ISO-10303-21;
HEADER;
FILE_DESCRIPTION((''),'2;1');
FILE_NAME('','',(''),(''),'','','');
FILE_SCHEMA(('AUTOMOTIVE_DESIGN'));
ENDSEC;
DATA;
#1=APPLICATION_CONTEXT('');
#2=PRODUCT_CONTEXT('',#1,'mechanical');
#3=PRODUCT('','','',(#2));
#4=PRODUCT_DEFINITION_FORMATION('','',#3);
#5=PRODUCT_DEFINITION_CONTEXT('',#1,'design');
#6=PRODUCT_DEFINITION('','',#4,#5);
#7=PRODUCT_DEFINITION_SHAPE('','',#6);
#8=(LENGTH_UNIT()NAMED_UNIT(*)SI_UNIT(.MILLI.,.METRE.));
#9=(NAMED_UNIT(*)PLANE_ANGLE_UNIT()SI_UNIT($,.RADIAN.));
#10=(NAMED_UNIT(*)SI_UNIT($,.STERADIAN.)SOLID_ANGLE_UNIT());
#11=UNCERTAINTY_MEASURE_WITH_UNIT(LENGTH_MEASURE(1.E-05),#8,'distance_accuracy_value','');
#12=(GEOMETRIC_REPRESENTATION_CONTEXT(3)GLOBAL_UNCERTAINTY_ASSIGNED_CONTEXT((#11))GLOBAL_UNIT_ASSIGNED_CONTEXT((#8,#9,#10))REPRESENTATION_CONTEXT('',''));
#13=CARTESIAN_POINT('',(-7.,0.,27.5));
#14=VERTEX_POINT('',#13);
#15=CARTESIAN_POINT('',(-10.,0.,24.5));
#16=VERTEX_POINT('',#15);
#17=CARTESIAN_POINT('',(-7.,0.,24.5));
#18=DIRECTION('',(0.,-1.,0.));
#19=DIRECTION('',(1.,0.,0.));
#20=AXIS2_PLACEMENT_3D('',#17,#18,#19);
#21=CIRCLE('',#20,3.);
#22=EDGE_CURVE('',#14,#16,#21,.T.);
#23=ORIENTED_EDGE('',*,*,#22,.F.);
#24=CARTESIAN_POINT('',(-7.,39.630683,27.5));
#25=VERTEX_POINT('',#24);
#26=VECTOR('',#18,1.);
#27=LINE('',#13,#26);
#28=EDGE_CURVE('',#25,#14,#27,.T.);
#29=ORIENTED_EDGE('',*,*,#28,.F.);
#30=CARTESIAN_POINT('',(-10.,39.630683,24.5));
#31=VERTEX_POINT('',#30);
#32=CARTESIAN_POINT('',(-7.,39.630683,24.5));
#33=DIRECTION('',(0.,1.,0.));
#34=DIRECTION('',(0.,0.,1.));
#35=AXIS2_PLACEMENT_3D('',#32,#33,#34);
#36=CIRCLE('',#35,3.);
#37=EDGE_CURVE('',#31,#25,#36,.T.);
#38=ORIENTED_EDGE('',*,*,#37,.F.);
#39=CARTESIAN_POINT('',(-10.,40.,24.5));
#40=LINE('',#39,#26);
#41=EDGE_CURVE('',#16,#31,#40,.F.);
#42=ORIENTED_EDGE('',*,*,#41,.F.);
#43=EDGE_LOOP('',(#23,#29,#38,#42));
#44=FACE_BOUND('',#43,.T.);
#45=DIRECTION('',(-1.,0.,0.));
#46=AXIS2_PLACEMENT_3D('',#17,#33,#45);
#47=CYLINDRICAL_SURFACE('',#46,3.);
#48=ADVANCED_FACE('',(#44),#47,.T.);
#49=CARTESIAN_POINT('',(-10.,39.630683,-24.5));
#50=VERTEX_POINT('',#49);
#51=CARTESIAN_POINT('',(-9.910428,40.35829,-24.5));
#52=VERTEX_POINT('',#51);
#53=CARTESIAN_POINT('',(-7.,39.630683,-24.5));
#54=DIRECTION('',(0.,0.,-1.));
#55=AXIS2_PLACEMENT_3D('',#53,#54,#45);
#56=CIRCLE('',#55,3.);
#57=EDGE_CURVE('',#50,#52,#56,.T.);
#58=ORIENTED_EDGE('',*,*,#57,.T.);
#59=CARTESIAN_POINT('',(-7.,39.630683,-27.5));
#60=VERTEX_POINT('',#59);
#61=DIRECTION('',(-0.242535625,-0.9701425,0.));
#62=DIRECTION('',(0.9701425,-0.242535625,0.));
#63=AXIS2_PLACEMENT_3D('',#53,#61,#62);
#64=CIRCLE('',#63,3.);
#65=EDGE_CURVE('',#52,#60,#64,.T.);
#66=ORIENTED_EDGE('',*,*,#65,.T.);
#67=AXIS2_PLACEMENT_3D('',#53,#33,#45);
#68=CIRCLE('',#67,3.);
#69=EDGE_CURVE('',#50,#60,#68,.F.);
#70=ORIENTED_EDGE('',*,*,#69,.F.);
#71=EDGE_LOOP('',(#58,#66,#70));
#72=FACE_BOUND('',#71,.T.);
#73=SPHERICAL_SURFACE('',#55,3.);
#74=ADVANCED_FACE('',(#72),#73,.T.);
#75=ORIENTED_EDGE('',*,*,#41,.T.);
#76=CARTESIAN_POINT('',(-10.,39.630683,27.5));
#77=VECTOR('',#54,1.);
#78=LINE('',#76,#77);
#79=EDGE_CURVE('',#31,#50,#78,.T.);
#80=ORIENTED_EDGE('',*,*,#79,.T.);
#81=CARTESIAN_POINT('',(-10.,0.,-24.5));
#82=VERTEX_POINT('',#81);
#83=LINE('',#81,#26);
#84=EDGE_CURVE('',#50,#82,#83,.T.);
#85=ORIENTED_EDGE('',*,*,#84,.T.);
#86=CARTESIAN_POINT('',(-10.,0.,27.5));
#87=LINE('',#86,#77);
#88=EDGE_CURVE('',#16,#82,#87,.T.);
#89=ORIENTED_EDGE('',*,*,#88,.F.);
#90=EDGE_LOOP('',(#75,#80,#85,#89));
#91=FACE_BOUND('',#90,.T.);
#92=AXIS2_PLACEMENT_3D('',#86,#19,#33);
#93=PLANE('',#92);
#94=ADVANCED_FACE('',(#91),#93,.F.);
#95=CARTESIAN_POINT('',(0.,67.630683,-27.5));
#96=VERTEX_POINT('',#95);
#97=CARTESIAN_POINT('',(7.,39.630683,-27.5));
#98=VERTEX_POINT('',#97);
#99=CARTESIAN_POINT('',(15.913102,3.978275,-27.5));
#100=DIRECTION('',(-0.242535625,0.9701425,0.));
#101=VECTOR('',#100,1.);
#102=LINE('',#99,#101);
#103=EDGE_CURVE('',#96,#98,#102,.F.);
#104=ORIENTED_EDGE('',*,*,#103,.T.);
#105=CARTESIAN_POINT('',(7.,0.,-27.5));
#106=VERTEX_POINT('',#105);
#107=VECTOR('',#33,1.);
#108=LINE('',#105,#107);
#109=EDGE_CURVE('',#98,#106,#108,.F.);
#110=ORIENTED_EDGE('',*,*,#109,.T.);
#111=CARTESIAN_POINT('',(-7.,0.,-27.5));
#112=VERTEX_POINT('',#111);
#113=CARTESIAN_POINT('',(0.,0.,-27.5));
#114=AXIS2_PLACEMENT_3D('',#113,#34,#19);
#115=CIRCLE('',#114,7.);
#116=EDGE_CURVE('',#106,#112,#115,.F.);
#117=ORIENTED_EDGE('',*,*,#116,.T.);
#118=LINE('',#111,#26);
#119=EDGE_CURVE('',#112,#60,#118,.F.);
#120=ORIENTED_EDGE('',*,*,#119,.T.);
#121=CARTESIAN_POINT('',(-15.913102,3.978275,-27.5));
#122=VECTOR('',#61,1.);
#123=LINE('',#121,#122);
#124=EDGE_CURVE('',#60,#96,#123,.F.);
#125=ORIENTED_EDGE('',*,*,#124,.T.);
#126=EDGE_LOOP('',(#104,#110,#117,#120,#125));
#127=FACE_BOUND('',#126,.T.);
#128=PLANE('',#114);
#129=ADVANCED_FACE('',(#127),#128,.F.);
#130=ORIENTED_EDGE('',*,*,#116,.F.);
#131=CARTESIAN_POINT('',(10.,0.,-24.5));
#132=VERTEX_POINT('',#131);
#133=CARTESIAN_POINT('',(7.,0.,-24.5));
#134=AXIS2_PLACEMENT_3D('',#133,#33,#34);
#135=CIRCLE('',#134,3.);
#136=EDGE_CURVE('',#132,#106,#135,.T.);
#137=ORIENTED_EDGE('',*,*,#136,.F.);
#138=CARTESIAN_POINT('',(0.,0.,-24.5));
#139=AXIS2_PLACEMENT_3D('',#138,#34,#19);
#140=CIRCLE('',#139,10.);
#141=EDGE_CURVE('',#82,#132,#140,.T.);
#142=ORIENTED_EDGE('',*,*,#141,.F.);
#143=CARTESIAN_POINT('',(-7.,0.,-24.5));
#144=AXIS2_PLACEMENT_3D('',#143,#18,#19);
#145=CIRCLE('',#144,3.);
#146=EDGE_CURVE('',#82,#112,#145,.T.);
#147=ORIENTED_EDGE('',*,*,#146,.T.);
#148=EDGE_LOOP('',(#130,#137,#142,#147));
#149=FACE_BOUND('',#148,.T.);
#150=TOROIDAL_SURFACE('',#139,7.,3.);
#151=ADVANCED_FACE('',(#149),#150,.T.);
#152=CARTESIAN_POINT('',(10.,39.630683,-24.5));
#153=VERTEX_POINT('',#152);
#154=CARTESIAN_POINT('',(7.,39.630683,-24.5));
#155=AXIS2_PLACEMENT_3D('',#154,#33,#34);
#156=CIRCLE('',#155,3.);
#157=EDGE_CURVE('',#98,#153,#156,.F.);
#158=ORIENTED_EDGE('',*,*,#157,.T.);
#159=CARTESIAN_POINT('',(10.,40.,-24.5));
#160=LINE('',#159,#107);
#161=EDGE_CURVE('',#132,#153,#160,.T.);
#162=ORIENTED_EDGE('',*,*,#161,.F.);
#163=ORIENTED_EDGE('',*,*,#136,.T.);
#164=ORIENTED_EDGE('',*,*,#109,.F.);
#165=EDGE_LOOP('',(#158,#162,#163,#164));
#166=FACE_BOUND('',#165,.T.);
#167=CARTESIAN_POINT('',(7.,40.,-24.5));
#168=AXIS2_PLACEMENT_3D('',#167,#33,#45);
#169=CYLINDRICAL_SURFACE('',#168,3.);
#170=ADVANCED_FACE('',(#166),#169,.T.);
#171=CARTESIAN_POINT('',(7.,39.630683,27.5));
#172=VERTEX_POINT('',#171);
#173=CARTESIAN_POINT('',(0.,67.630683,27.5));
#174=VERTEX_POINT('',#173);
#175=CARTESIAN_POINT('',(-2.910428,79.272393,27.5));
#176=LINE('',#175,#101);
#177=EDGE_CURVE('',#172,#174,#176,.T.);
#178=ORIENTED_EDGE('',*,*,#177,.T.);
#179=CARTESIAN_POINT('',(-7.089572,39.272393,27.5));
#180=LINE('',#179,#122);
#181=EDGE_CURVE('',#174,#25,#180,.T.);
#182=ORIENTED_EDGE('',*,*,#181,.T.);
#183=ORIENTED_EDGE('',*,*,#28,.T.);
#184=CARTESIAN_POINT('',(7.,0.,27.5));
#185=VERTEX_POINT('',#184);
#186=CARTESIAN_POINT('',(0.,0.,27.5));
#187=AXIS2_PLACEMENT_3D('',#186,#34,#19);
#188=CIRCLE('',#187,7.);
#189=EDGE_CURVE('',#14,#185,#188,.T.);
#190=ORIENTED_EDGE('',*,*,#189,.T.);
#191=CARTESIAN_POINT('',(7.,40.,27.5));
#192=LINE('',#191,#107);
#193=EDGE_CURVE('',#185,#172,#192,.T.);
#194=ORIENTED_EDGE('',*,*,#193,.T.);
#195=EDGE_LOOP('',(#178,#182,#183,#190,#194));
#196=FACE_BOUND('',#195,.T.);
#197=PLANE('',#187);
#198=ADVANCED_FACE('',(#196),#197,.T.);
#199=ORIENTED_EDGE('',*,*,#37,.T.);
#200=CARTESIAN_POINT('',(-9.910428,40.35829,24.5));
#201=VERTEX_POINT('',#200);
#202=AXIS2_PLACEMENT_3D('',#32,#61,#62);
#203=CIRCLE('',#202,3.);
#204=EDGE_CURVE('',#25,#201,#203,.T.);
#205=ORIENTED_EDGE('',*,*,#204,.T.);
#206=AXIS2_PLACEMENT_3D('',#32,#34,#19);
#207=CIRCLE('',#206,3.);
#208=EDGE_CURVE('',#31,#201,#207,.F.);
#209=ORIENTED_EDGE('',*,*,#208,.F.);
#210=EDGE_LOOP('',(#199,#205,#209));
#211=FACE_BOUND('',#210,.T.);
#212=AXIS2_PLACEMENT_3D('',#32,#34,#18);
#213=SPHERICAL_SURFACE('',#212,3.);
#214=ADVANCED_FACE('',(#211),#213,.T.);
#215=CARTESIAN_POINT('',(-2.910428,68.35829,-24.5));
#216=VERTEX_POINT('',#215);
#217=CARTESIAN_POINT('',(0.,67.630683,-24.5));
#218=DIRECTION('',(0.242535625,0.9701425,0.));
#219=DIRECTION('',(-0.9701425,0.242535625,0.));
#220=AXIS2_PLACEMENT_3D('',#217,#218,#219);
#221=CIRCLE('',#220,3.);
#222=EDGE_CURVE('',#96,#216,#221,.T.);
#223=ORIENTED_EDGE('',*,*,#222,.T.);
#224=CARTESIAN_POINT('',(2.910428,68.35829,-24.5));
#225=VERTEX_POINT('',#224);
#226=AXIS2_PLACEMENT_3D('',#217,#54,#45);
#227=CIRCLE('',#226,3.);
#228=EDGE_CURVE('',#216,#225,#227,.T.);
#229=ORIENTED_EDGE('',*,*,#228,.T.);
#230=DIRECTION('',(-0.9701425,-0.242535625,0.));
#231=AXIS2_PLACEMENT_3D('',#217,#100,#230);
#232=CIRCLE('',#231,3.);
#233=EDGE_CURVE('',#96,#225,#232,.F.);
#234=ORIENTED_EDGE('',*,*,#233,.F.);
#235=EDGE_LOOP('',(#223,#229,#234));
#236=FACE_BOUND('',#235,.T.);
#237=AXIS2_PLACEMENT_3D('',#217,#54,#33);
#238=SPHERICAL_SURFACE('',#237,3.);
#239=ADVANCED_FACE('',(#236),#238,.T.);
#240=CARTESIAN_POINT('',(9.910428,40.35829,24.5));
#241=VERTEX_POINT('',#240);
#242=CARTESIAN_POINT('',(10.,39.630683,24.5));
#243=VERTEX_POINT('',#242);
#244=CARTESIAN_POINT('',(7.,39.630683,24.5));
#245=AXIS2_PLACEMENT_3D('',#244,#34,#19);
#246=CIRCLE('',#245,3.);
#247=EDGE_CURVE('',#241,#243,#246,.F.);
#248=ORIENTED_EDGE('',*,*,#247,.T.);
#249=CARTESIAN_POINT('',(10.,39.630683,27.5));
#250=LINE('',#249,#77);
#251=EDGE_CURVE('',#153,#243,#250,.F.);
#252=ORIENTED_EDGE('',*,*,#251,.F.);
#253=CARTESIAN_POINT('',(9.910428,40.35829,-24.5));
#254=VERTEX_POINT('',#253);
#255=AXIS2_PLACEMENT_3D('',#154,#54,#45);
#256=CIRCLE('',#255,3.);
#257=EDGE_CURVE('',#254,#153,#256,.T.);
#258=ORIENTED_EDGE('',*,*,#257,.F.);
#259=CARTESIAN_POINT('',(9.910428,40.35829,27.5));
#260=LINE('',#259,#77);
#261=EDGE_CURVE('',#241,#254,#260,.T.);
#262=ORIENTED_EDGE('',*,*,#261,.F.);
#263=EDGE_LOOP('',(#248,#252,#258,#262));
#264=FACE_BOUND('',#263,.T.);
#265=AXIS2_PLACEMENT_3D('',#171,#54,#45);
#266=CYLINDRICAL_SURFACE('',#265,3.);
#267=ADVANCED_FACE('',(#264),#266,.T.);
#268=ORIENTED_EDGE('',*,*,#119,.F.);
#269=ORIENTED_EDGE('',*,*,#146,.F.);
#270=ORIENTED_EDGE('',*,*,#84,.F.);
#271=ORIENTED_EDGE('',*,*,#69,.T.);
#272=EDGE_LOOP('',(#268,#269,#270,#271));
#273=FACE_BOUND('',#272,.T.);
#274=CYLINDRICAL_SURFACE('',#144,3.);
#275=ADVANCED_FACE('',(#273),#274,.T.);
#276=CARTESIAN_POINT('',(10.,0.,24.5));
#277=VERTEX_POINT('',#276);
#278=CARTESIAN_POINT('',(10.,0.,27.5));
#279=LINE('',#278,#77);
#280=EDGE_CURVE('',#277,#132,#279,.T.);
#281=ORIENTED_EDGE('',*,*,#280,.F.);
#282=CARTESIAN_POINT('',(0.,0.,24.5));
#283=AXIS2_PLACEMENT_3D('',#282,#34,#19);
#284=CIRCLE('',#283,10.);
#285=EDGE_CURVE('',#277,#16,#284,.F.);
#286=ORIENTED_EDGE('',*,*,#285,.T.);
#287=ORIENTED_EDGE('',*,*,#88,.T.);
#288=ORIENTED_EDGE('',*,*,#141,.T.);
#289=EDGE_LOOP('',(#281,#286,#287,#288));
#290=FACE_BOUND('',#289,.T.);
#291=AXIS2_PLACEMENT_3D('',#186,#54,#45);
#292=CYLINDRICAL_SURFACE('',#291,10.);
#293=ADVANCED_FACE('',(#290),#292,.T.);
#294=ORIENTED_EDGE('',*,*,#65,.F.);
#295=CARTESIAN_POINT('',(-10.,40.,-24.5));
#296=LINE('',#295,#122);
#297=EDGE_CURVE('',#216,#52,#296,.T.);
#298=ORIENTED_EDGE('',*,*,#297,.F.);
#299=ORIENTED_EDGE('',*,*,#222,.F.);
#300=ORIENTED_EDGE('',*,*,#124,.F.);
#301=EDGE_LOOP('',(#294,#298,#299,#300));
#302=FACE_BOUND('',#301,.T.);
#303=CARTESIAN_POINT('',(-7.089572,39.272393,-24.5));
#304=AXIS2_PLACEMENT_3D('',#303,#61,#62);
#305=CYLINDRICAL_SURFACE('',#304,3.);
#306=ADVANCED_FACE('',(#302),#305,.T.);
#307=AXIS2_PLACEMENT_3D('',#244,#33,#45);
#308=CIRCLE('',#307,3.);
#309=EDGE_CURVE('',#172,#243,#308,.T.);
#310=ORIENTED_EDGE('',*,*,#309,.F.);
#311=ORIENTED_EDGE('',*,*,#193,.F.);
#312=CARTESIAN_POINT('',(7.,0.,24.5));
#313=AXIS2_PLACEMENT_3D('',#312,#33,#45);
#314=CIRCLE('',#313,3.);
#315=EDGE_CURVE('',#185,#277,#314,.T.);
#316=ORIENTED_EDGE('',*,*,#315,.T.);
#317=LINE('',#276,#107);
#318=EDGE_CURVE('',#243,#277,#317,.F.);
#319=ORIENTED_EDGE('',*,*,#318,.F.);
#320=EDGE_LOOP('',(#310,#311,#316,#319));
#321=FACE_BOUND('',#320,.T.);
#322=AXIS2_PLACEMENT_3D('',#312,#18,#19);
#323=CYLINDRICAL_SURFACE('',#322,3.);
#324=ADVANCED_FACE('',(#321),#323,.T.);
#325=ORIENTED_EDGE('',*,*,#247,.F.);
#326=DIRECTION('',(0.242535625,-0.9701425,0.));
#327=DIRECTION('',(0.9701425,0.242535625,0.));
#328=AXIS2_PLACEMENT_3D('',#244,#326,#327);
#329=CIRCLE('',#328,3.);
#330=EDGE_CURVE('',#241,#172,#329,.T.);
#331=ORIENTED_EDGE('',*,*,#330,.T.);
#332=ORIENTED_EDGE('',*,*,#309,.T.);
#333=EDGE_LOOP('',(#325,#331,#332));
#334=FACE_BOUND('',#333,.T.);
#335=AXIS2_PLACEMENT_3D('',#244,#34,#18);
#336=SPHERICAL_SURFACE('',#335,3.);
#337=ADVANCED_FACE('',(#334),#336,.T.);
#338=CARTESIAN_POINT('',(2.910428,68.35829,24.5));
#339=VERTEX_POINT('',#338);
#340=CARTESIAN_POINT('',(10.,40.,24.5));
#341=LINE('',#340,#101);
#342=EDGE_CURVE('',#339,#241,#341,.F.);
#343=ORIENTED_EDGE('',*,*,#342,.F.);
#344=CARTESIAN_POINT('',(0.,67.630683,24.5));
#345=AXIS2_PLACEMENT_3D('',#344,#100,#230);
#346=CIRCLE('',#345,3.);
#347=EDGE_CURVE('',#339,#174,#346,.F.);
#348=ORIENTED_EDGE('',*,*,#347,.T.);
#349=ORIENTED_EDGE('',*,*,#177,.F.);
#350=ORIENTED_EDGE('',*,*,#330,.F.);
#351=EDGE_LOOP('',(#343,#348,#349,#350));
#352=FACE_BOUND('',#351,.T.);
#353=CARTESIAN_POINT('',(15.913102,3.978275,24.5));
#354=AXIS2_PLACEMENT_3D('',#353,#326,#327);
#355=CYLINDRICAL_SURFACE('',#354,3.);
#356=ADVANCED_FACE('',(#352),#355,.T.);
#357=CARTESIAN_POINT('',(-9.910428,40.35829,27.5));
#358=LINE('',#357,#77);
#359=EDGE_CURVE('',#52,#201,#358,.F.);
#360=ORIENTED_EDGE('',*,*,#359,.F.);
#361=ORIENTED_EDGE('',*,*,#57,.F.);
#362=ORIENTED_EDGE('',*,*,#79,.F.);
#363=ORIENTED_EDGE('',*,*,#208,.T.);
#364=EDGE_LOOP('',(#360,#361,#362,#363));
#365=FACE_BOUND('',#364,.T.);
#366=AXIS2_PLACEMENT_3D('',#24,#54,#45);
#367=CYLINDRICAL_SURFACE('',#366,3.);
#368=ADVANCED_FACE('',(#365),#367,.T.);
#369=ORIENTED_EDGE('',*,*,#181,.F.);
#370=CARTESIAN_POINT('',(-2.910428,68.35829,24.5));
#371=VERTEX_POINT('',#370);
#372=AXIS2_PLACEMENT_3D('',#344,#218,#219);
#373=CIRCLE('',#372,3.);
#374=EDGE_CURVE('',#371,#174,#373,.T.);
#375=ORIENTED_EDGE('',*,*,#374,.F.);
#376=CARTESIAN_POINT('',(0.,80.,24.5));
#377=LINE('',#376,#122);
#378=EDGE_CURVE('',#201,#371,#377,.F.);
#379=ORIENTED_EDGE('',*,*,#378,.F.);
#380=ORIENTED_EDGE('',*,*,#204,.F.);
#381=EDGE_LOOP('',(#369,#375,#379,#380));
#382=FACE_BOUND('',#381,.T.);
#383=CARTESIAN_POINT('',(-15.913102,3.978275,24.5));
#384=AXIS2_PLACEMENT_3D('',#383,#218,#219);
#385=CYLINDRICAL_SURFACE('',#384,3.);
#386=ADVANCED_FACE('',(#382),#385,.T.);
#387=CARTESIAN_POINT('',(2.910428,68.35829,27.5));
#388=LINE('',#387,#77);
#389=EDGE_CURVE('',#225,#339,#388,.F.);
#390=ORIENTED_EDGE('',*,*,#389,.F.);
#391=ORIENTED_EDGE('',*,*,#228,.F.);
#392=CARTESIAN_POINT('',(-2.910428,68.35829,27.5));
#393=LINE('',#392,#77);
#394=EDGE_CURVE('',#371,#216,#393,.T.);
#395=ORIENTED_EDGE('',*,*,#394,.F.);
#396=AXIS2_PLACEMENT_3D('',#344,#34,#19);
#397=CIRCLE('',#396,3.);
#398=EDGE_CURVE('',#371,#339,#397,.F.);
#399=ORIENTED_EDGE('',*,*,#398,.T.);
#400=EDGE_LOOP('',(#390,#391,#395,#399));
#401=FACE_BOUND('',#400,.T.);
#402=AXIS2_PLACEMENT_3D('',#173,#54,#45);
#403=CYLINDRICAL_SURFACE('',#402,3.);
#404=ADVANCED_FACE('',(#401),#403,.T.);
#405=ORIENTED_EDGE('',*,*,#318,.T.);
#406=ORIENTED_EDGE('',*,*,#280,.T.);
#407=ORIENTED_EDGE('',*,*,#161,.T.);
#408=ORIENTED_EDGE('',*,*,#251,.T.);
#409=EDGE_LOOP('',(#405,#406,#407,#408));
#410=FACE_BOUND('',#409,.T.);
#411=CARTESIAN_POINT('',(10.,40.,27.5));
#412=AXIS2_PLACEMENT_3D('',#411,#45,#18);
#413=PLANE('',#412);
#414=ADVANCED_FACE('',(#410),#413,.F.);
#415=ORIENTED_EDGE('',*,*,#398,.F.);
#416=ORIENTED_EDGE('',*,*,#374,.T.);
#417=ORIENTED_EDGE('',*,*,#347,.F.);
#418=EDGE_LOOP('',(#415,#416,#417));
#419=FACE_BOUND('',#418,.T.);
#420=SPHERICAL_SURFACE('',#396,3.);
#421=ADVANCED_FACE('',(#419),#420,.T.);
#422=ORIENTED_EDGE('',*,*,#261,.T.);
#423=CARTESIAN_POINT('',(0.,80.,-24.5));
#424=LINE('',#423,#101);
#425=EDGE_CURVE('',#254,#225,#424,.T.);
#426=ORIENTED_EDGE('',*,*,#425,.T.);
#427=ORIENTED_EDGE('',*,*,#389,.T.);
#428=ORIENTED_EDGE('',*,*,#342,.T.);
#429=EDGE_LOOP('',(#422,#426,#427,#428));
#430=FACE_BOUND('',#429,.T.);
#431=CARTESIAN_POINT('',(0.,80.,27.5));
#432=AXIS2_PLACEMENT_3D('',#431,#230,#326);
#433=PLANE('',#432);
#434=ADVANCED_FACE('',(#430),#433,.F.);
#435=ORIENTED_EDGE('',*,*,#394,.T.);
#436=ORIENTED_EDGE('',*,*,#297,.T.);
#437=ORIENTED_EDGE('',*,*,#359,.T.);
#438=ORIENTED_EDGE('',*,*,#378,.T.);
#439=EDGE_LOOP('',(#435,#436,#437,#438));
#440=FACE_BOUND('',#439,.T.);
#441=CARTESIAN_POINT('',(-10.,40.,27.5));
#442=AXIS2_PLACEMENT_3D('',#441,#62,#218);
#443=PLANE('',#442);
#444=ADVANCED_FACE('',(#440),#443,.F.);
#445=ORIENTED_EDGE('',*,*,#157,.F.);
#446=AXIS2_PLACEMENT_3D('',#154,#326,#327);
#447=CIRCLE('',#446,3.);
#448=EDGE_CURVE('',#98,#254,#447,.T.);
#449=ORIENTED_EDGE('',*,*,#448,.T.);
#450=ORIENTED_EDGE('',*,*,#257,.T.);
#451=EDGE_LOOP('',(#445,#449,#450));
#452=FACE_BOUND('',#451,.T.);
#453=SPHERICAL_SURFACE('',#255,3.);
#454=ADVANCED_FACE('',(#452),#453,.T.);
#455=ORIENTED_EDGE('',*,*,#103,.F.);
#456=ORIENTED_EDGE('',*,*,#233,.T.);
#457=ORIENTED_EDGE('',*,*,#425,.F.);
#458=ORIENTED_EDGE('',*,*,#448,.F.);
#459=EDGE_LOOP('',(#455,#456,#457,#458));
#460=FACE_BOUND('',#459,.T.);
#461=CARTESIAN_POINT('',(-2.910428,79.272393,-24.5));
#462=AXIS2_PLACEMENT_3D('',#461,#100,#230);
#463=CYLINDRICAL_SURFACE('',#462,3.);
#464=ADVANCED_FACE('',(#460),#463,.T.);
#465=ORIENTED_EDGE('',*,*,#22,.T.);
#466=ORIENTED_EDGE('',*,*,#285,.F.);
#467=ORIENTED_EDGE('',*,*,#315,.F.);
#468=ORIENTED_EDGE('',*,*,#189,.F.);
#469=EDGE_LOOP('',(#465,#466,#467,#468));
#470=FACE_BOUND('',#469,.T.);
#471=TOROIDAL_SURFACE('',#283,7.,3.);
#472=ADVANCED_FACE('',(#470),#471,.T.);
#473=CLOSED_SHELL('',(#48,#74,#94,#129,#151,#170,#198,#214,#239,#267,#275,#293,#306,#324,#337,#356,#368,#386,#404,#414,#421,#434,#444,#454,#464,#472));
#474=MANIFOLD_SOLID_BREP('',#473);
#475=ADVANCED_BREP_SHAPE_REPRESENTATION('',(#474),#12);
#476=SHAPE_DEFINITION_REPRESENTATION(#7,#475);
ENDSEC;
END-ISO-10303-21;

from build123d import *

# Parameters (mm, degrees)
BOSS_EXTRUDE1_DEPTH = 27.5
FILLET1_R           = 3


with BuildPart() as part:
    # Sketch1 → Boss-Extrude1 (new body, symmetric)
    with BuildSketch(Plane.XY):
        with BuildLine():
            Line((-10, 0), (-10, 40))
            Line((-10, 40), (0, 80))
            Line((0, 80), (10, 40))
            Line((10, 40), (10, 0))
            ThreePointArc((10, 0), (0, -10), (-10, 0))
        make_face()
    extrude(amount=BOSS_EXTRUDE1_DEPTH, both=True)

    # Fillet1
    fillet1_edges = [part.edges().sort_by_distance(p)[0] for p in [
        (5, 60, 27.5),
        (-5, 60, 27.5),
        (-10, 20, 27.5),
        (0, -10, 27.5),
        (-10, 20, -27.5),
        (-5, 60, -27.5),
        (5, 60, -27.5),
        (10, 20, -27.5),
        (0, -10, -27.5),
        (10, 20, 27.5),
        (-10, 40, 0),
        (0, 80, 0),
        (10, 40, 0),
    ]]
    fillet(fillet1_edges, radius=FILLET1_R)


solid = part.part
